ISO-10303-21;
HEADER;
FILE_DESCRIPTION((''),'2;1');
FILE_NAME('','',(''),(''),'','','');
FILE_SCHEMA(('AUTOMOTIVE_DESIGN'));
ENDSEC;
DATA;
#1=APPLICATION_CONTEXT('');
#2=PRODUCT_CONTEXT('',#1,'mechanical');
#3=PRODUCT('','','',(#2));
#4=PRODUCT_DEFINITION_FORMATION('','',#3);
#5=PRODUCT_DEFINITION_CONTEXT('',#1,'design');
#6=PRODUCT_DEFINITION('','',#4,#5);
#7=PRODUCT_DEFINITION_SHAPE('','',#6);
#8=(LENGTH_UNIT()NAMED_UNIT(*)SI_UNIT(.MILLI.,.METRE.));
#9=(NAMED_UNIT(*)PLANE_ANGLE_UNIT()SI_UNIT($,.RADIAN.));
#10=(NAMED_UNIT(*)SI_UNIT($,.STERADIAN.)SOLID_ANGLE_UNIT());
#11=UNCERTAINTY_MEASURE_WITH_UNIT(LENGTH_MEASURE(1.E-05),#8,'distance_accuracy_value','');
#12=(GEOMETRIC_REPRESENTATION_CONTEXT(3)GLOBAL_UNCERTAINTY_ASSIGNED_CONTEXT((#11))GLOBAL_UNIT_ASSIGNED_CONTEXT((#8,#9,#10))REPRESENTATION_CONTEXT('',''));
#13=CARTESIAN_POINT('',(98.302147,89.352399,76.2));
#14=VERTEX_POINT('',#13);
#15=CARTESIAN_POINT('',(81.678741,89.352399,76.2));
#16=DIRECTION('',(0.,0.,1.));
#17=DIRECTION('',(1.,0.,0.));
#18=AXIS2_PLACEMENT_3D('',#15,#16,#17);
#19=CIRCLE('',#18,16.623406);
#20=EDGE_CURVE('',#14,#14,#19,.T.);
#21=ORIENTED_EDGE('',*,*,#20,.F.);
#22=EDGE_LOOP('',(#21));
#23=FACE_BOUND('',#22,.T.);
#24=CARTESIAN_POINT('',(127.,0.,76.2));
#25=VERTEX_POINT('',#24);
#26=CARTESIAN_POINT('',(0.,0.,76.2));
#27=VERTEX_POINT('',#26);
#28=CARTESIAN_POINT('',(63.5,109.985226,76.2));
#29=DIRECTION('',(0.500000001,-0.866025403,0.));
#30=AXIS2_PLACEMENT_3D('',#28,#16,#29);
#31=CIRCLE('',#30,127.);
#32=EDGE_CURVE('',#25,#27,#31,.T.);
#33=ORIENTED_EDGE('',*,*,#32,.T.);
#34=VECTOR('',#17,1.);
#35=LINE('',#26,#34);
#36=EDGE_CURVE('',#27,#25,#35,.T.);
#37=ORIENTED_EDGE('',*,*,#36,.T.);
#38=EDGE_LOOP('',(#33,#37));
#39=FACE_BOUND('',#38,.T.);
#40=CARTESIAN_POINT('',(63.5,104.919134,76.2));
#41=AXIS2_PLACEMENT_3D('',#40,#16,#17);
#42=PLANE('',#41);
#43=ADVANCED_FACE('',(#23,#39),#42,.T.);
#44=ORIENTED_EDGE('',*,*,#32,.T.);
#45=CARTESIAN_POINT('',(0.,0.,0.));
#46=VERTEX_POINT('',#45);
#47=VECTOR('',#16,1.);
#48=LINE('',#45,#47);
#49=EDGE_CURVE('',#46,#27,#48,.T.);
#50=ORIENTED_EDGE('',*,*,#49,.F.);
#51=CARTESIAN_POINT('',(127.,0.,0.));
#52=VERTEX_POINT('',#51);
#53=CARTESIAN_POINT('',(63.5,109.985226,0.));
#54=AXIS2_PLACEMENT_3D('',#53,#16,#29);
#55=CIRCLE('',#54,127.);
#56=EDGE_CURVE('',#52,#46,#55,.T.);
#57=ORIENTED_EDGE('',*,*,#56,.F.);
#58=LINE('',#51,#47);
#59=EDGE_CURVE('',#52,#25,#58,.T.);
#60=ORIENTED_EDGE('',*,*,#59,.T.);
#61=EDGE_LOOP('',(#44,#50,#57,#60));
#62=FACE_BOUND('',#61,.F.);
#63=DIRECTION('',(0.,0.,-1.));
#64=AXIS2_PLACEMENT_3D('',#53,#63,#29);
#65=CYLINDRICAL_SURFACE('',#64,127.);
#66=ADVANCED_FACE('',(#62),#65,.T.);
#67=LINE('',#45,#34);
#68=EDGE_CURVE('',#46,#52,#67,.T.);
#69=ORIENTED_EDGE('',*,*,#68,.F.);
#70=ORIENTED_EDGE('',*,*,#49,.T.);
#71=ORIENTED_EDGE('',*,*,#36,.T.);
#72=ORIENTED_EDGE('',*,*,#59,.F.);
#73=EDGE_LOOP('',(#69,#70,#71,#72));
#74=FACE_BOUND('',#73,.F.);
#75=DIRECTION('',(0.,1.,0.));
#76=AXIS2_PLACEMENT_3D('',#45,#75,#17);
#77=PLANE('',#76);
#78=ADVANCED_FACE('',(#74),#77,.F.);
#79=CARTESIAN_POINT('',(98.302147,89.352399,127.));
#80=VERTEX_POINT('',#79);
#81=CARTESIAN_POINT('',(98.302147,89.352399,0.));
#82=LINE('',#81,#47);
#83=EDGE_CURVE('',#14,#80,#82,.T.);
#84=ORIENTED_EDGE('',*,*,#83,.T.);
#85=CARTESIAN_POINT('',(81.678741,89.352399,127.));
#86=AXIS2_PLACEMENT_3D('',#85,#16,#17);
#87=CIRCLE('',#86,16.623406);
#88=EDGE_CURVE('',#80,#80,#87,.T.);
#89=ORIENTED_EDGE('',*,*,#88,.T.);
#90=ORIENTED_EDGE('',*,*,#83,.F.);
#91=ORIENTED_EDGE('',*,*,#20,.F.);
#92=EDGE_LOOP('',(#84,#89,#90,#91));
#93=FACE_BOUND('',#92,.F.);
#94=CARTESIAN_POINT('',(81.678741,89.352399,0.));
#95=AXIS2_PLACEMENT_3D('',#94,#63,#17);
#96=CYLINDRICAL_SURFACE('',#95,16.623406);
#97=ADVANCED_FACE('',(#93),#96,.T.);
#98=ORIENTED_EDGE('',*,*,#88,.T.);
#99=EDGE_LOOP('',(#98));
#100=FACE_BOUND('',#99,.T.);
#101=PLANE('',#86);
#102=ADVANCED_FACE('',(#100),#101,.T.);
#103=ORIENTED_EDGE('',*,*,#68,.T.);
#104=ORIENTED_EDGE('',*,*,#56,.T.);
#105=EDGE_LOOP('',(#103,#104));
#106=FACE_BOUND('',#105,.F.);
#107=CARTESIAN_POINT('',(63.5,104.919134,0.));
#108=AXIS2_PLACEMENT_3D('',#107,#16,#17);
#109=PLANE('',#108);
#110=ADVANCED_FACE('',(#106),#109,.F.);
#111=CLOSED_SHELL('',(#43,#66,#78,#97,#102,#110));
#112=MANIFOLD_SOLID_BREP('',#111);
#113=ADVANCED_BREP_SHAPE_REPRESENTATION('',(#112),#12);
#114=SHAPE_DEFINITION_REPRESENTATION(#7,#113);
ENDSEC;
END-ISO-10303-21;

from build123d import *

# Parameters (mm, degrees)
F0_R     = 16.623406
F1_DEPTH = 127
F0_R_2   = 59.47353
F2_DEPTH = 76.2
F3_DEPTH = 76.2


with BuildPart() as f1:
    # F0 (on Top) → F1 (new body)
    with BuildSketch(Plane.XY):
        with Locations((81.678741, 89.352399)):
            Circle(F0_R)
    extrude(amount=F1_DEPTH)

    # F0 (on Top) → F2 (join)
    with BuildSketch(Plane.XY):
        with Locations((63.5, 109.985226)):
            Circle(F0_R_2)
        with Locations((81.678741, 89.352399)):
            Circle(F0_R, mode=Mode.SUBTRACT)
    extrude(amount=F2_DEPTH)

    # F0 (on Top) → F3 (join)
    with BuildSketch(Plane.XY):
        with BuildLine():
            ThreePointArc((127, 0), (63.5, 236.985226), (0, 0))
            Line((0, 0), (127, 0))
        make_face()
        with Locations((63.5, 109.985226)):
            Circle(F0_R_2, mode=Mode.SUBTRACT)
    extrude(amount=F3_DEPTH)


solid = f1.part
